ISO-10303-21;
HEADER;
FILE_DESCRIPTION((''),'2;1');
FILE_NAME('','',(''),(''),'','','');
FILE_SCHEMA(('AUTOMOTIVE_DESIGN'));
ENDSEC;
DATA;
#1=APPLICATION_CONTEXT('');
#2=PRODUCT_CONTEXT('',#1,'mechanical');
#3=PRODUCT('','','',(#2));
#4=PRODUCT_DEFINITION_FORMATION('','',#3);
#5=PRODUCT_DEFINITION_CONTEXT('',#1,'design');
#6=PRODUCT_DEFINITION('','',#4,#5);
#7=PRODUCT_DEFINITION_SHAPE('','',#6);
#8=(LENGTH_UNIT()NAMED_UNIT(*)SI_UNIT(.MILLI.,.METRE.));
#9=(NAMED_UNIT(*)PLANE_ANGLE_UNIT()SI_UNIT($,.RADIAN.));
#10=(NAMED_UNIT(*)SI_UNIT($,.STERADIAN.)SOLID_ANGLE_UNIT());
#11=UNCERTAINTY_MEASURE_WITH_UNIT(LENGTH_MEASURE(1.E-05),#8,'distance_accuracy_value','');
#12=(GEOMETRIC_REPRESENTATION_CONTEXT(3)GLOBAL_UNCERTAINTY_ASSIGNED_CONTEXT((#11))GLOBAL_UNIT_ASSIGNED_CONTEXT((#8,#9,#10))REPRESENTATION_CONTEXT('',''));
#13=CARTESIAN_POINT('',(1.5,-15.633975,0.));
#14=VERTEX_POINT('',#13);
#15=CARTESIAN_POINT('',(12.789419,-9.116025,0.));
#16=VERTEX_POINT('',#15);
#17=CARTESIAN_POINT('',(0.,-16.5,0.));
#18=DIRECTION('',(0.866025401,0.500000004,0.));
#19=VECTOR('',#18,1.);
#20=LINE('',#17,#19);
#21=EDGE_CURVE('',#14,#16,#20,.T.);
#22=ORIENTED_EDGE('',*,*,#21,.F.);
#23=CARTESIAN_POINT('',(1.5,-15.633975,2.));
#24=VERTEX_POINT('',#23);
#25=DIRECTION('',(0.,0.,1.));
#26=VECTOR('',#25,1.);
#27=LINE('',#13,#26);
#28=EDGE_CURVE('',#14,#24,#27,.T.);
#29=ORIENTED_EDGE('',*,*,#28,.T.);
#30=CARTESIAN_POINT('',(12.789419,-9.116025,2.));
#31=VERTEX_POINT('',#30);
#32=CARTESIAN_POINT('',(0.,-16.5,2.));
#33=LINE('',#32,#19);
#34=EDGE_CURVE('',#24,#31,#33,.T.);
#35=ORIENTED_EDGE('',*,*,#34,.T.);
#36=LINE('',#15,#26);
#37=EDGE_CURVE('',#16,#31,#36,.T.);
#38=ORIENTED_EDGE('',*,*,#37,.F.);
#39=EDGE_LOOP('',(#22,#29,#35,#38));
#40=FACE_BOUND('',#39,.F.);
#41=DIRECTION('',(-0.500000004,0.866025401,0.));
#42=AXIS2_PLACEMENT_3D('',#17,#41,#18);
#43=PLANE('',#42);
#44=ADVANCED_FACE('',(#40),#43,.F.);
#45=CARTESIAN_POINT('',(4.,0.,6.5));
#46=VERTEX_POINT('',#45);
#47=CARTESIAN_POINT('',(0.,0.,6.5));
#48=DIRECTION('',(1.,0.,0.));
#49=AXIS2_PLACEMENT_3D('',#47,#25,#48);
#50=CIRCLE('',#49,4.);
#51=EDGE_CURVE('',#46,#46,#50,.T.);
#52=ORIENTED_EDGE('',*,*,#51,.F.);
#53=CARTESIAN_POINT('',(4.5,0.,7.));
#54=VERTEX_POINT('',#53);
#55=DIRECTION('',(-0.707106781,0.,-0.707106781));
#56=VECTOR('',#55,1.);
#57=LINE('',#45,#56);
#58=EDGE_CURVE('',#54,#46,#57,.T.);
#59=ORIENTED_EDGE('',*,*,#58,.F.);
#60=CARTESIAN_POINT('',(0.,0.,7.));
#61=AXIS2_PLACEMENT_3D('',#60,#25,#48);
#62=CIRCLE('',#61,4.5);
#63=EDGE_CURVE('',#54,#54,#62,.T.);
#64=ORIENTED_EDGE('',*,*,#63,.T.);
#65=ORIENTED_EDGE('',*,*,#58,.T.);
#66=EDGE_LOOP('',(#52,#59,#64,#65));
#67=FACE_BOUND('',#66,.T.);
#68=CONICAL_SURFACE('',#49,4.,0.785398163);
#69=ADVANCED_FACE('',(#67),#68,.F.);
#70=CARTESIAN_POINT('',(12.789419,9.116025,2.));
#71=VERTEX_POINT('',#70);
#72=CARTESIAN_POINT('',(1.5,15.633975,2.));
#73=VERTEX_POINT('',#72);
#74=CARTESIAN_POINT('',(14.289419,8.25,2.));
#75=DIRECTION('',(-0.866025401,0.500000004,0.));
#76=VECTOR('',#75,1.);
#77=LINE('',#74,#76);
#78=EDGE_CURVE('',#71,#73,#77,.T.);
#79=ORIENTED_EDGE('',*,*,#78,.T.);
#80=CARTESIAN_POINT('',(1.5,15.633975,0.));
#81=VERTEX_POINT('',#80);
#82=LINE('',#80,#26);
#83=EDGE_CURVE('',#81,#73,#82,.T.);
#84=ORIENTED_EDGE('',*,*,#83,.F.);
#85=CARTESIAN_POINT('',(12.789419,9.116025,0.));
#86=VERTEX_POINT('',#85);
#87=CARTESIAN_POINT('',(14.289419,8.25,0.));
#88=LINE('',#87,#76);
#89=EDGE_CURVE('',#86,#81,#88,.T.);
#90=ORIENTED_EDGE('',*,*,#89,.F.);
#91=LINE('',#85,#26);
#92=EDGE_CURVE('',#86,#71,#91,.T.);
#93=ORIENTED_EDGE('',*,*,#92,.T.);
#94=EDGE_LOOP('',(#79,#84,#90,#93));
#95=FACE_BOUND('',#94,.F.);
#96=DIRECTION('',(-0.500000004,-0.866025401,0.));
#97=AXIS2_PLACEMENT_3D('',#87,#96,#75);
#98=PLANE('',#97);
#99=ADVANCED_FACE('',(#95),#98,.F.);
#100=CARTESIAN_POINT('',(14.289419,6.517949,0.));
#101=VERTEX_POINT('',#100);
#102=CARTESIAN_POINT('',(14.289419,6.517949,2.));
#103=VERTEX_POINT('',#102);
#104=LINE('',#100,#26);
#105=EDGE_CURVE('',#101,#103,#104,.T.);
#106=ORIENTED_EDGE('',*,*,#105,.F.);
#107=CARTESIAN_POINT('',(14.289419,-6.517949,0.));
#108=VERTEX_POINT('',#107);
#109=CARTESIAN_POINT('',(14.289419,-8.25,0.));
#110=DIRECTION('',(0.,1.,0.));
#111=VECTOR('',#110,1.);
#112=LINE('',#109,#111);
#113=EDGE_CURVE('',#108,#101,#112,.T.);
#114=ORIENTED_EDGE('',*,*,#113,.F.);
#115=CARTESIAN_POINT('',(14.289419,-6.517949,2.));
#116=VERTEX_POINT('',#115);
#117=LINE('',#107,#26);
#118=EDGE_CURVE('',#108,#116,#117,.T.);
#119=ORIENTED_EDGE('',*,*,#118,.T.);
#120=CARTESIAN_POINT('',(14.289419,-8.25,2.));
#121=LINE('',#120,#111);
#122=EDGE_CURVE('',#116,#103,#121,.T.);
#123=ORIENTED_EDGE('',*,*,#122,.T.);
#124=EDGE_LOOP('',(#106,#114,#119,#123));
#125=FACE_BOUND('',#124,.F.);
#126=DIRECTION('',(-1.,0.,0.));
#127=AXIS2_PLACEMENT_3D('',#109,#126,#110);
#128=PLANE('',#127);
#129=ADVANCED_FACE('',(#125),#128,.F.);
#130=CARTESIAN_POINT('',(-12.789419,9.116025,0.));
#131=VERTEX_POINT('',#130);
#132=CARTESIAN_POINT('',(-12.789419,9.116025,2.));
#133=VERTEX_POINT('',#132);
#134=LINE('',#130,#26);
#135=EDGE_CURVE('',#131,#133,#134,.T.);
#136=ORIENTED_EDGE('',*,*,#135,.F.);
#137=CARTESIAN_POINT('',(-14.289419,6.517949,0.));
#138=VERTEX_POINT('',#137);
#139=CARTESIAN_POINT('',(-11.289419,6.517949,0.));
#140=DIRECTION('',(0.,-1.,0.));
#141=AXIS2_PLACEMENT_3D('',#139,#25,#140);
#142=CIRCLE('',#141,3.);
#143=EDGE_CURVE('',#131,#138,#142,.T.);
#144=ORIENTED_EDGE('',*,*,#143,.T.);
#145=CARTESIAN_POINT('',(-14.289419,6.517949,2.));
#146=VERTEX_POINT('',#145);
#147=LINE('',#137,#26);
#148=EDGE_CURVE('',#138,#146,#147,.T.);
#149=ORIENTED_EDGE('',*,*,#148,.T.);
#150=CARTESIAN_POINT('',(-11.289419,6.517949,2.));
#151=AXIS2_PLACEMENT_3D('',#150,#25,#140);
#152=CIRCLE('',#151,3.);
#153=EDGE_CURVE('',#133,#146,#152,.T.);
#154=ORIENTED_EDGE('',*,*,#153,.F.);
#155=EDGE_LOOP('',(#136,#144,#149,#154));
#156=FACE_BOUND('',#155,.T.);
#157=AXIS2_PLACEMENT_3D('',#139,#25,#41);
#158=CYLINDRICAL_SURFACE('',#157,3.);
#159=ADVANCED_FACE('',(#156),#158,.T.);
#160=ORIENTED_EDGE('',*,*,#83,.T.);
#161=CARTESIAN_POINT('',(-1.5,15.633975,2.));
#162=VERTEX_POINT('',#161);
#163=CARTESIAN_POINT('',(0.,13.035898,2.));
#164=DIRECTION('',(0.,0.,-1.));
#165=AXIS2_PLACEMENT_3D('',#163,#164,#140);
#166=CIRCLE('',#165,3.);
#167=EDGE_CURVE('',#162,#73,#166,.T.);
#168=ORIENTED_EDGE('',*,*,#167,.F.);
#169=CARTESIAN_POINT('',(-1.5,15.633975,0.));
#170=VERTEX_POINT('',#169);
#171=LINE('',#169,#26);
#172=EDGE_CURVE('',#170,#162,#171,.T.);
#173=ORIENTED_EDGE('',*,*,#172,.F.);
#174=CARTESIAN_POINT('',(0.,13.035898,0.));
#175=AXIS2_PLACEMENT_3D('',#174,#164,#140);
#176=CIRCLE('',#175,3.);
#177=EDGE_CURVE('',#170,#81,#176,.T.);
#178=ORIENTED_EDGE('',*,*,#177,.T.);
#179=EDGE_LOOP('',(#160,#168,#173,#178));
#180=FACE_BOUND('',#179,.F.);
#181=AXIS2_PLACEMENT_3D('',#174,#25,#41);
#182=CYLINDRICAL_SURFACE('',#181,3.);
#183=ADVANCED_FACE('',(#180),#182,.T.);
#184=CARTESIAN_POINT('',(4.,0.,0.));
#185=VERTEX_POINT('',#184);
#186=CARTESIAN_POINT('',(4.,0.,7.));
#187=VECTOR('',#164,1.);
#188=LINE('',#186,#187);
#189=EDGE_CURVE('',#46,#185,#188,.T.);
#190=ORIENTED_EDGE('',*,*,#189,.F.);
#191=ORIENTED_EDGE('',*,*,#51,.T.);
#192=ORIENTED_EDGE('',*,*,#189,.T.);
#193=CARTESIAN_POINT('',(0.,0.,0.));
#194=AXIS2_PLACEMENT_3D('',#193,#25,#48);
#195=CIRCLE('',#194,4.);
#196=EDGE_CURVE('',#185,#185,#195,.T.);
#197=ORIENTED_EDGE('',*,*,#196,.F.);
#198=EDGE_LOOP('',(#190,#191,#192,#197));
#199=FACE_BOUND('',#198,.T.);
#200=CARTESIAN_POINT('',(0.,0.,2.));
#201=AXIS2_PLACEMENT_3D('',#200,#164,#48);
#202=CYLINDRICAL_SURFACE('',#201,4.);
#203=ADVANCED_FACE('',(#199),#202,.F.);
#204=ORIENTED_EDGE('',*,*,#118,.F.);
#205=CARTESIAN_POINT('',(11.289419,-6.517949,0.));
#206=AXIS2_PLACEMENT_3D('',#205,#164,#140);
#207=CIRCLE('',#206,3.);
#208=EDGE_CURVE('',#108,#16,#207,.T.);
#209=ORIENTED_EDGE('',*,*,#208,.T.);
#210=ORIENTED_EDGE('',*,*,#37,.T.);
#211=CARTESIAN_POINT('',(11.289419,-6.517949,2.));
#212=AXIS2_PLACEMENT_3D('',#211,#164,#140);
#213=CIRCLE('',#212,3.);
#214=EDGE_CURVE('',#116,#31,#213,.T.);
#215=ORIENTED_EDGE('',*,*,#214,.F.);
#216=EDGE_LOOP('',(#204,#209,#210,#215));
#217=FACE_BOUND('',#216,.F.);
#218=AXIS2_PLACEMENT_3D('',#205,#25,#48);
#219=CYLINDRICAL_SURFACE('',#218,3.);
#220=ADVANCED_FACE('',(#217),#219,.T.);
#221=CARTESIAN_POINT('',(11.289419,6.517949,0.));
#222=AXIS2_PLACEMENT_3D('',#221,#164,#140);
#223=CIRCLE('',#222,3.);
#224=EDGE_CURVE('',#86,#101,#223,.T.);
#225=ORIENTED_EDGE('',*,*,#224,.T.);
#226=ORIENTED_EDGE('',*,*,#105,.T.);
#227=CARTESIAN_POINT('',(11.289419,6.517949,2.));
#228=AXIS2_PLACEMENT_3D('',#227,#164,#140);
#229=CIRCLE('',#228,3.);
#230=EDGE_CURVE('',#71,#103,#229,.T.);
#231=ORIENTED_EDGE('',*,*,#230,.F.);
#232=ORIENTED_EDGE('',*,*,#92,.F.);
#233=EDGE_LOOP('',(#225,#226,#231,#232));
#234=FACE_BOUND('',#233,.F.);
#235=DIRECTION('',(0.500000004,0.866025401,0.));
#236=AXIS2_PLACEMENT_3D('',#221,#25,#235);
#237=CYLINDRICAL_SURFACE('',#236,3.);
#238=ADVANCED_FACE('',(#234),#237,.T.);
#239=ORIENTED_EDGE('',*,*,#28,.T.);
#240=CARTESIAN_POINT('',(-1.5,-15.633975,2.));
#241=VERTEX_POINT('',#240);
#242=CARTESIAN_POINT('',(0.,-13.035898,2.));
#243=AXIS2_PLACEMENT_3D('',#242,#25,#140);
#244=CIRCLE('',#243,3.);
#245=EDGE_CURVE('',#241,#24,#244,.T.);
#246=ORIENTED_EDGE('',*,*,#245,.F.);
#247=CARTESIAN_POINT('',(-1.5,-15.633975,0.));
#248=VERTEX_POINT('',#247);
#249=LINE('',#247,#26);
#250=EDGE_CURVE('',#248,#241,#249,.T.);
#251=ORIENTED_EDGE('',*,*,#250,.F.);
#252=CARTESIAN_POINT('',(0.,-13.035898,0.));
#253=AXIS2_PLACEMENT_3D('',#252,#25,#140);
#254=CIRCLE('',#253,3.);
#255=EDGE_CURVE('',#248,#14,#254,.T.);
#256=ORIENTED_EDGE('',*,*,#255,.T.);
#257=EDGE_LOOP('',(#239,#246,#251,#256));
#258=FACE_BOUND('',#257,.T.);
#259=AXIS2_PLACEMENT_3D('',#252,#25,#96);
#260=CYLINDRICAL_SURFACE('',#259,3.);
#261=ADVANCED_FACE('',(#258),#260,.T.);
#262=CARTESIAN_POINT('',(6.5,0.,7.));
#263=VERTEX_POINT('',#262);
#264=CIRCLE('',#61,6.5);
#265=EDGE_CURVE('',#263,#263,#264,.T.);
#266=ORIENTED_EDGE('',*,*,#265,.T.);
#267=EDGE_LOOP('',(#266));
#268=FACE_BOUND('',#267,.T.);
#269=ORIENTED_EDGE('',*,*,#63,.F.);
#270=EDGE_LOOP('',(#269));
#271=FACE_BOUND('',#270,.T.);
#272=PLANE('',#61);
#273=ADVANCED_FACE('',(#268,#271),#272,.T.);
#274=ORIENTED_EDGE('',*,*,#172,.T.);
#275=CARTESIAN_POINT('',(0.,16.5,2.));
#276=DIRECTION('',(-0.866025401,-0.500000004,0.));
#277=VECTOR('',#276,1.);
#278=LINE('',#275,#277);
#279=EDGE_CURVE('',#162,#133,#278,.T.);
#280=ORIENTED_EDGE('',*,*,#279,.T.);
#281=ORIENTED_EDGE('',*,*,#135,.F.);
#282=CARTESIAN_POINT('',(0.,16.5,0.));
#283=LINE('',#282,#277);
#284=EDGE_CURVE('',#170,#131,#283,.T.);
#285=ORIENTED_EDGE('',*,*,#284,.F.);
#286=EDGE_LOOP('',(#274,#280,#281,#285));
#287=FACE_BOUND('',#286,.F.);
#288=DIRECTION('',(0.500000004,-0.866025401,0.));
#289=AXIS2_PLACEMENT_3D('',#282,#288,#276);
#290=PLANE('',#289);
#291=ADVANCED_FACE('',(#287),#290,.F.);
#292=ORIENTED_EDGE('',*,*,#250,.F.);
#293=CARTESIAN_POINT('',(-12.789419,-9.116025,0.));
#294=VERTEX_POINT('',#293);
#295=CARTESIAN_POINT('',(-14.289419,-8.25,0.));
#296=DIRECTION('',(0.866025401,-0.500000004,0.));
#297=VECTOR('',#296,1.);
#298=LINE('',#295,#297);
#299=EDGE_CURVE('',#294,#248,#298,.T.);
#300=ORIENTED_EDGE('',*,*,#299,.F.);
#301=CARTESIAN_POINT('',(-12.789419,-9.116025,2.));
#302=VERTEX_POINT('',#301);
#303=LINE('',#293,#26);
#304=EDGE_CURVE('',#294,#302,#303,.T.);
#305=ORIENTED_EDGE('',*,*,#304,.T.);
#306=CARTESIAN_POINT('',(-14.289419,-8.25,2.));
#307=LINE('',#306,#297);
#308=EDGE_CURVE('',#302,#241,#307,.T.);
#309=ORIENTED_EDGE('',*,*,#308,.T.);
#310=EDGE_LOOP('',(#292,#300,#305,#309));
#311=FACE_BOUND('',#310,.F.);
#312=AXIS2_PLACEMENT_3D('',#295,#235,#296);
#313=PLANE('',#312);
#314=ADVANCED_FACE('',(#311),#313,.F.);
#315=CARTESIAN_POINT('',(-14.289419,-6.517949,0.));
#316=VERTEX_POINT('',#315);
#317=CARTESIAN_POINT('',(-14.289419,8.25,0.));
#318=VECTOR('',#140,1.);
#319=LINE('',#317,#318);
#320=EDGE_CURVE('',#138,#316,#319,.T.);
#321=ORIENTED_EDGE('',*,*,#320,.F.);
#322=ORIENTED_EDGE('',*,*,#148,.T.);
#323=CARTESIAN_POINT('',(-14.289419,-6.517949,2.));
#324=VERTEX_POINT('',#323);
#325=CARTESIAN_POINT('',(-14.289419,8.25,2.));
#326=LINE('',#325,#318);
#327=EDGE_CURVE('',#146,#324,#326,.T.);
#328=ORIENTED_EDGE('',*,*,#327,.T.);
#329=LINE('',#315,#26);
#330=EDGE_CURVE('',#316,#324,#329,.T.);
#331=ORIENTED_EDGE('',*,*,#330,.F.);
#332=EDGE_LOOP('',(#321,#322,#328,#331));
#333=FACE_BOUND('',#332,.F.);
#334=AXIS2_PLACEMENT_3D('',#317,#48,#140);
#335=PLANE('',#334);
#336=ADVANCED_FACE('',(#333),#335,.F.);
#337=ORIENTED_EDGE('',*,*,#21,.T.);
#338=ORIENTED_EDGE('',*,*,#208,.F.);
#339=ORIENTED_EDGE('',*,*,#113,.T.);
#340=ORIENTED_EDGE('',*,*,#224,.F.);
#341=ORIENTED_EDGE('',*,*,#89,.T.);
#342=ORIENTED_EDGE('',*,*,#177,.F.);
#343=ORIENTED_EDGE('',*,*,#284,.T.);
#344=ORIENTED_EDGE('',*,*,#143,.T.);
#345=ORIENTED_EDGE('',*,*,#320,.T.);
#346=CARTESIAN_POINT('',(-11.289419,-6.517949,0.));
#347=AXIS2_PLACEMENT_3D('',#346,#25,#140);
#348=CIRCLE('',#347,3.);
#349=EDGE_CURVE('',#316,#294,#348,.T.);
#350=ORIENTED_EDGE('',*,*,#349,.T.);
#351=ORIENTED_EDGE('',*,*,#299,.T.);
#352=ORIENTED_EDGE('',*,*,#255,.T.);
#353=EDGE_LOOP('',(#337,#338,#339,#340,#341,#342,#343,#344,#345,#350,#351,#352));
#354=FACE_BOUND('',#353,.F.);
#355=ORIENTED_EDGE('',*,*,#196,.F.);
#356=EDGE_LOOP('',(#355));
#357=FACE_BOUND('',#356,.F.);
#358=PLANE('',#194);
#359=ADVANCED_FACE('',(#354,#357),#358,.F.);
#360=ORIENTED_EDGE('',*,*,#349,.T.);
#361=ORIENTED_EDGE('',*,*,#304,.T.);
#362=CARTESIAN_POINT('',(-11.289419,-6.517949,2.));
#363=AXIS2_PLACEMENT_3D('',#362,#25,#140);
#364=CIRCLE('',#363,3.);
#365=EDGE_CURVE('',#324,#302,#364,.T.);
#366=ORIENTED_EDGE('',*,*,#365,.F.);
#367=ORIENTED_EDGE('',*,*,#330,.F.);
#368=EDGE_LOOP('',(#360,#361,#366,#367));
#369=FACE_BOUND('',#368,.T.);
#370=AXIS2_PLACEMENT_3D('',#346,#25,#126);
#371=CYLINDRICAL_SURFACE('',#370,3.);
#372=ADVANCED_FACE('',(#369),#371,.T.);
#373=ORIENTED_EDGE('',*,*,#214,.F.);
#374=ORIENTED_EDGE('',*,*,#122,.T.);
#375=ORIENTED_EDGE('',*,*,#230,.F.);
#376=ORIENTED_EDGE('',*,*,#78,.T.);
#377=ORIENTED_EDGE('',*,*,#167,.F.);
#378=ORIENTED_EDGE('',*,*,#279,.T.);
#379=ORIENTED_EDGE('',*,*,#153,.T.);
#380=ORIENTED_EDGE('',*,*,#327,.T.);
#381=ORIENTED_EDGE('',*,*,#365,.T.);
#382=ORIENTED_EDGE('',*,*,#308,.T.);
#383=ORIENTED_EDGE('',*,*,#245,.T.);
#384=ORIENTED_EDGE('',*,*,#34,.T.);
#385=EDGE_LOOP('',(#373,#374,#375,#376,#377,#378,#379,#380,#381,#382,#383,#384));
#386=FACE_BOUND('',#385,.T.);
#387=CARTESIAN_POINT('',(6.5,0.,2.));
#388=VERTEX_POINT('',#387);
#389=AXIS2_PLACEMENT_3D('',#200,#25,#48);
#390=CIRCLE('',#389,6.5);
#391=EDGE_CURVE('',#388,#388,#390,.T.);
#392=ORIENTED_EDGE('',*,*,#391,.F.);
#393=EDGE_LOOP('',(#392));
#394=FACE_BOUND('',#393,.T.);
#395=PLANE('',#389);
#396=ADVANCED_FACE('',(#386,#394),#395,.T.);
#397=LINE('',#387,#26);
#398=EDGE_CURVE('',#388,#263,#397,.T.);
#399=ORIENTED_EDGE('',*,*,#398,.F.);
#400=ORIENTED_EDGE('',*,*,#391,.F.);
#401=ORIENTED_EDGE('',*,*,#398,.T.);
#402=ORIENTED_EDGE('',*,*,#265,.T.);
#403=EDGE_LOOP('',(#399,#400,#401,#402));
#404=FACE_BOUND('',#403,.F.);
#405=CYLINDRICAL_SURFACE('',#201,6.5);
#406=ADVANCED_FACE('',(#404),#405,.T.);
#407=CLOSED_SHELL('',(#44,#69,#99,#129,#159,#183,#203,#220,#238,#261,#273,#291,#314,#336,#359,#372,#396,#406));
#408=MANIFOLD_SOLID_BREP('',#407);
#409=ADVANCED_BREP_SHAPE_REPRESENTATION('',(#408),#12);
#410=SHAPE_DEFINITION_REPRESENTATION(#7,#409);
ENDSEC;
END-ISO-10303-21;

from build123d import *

# Parameters (mm, degrees)
SKETCH_R      = 4
PAD_DEPTH     = 2
SKETCH001_R   = 6.5
SKETCH001_R_2 = 4
PAD001_DEPTH  = 5
CHAMFER_SIZE  = 0.5
FILLET_R      = 3


with BuildPart() as part:
    # Sketch → Pad (new body)
    with BuildSketch(Plane.XY):
        Polygon((0, 16.5), (-14.289419, 8.25), (-14.289419, -8.25), (0, -16.5), (14.289419, -8.25), (14.289419, 8.25), align=None)
        Circle(SKETCH_R, mode=Mode.SUBTRACT)
    extrude(amount=PAD_DEPTH)

    # Sketch001 (on Face9 of Pad) → Pad001 (join)
    with BuildSketch(Plane.XY.offset(2)):
        Circle(SKETCH001_R)
        Circle(SKETCH001_R_2, mode=Mode.SUBTRACT)
    extrude(amount=PAD001_DEPTH)

    # Chamfer
    chamfer_edges = [part.edges().sort_by_distance(p)[0] for p in [
        (-4, 0, 7),
    ]]
    chamfer(chamfer_edges, length=CHAMFER_SIZE)

    # Fillet
    fillet_edges = [part.edges().sort_by_distance(p)[0] for p in [
        (0, -16.5, 1),
        (14.289419, -8.25, 1),
        (14.289419, 8.25, 1),
        (-14.289419, -8.25, 1),
        (-14.289419, 8.25, 1),
        (0, 16.5, 1),
    ]]
    fillet(fillet_edges, radius=FILLET_R)


solid = part.part
